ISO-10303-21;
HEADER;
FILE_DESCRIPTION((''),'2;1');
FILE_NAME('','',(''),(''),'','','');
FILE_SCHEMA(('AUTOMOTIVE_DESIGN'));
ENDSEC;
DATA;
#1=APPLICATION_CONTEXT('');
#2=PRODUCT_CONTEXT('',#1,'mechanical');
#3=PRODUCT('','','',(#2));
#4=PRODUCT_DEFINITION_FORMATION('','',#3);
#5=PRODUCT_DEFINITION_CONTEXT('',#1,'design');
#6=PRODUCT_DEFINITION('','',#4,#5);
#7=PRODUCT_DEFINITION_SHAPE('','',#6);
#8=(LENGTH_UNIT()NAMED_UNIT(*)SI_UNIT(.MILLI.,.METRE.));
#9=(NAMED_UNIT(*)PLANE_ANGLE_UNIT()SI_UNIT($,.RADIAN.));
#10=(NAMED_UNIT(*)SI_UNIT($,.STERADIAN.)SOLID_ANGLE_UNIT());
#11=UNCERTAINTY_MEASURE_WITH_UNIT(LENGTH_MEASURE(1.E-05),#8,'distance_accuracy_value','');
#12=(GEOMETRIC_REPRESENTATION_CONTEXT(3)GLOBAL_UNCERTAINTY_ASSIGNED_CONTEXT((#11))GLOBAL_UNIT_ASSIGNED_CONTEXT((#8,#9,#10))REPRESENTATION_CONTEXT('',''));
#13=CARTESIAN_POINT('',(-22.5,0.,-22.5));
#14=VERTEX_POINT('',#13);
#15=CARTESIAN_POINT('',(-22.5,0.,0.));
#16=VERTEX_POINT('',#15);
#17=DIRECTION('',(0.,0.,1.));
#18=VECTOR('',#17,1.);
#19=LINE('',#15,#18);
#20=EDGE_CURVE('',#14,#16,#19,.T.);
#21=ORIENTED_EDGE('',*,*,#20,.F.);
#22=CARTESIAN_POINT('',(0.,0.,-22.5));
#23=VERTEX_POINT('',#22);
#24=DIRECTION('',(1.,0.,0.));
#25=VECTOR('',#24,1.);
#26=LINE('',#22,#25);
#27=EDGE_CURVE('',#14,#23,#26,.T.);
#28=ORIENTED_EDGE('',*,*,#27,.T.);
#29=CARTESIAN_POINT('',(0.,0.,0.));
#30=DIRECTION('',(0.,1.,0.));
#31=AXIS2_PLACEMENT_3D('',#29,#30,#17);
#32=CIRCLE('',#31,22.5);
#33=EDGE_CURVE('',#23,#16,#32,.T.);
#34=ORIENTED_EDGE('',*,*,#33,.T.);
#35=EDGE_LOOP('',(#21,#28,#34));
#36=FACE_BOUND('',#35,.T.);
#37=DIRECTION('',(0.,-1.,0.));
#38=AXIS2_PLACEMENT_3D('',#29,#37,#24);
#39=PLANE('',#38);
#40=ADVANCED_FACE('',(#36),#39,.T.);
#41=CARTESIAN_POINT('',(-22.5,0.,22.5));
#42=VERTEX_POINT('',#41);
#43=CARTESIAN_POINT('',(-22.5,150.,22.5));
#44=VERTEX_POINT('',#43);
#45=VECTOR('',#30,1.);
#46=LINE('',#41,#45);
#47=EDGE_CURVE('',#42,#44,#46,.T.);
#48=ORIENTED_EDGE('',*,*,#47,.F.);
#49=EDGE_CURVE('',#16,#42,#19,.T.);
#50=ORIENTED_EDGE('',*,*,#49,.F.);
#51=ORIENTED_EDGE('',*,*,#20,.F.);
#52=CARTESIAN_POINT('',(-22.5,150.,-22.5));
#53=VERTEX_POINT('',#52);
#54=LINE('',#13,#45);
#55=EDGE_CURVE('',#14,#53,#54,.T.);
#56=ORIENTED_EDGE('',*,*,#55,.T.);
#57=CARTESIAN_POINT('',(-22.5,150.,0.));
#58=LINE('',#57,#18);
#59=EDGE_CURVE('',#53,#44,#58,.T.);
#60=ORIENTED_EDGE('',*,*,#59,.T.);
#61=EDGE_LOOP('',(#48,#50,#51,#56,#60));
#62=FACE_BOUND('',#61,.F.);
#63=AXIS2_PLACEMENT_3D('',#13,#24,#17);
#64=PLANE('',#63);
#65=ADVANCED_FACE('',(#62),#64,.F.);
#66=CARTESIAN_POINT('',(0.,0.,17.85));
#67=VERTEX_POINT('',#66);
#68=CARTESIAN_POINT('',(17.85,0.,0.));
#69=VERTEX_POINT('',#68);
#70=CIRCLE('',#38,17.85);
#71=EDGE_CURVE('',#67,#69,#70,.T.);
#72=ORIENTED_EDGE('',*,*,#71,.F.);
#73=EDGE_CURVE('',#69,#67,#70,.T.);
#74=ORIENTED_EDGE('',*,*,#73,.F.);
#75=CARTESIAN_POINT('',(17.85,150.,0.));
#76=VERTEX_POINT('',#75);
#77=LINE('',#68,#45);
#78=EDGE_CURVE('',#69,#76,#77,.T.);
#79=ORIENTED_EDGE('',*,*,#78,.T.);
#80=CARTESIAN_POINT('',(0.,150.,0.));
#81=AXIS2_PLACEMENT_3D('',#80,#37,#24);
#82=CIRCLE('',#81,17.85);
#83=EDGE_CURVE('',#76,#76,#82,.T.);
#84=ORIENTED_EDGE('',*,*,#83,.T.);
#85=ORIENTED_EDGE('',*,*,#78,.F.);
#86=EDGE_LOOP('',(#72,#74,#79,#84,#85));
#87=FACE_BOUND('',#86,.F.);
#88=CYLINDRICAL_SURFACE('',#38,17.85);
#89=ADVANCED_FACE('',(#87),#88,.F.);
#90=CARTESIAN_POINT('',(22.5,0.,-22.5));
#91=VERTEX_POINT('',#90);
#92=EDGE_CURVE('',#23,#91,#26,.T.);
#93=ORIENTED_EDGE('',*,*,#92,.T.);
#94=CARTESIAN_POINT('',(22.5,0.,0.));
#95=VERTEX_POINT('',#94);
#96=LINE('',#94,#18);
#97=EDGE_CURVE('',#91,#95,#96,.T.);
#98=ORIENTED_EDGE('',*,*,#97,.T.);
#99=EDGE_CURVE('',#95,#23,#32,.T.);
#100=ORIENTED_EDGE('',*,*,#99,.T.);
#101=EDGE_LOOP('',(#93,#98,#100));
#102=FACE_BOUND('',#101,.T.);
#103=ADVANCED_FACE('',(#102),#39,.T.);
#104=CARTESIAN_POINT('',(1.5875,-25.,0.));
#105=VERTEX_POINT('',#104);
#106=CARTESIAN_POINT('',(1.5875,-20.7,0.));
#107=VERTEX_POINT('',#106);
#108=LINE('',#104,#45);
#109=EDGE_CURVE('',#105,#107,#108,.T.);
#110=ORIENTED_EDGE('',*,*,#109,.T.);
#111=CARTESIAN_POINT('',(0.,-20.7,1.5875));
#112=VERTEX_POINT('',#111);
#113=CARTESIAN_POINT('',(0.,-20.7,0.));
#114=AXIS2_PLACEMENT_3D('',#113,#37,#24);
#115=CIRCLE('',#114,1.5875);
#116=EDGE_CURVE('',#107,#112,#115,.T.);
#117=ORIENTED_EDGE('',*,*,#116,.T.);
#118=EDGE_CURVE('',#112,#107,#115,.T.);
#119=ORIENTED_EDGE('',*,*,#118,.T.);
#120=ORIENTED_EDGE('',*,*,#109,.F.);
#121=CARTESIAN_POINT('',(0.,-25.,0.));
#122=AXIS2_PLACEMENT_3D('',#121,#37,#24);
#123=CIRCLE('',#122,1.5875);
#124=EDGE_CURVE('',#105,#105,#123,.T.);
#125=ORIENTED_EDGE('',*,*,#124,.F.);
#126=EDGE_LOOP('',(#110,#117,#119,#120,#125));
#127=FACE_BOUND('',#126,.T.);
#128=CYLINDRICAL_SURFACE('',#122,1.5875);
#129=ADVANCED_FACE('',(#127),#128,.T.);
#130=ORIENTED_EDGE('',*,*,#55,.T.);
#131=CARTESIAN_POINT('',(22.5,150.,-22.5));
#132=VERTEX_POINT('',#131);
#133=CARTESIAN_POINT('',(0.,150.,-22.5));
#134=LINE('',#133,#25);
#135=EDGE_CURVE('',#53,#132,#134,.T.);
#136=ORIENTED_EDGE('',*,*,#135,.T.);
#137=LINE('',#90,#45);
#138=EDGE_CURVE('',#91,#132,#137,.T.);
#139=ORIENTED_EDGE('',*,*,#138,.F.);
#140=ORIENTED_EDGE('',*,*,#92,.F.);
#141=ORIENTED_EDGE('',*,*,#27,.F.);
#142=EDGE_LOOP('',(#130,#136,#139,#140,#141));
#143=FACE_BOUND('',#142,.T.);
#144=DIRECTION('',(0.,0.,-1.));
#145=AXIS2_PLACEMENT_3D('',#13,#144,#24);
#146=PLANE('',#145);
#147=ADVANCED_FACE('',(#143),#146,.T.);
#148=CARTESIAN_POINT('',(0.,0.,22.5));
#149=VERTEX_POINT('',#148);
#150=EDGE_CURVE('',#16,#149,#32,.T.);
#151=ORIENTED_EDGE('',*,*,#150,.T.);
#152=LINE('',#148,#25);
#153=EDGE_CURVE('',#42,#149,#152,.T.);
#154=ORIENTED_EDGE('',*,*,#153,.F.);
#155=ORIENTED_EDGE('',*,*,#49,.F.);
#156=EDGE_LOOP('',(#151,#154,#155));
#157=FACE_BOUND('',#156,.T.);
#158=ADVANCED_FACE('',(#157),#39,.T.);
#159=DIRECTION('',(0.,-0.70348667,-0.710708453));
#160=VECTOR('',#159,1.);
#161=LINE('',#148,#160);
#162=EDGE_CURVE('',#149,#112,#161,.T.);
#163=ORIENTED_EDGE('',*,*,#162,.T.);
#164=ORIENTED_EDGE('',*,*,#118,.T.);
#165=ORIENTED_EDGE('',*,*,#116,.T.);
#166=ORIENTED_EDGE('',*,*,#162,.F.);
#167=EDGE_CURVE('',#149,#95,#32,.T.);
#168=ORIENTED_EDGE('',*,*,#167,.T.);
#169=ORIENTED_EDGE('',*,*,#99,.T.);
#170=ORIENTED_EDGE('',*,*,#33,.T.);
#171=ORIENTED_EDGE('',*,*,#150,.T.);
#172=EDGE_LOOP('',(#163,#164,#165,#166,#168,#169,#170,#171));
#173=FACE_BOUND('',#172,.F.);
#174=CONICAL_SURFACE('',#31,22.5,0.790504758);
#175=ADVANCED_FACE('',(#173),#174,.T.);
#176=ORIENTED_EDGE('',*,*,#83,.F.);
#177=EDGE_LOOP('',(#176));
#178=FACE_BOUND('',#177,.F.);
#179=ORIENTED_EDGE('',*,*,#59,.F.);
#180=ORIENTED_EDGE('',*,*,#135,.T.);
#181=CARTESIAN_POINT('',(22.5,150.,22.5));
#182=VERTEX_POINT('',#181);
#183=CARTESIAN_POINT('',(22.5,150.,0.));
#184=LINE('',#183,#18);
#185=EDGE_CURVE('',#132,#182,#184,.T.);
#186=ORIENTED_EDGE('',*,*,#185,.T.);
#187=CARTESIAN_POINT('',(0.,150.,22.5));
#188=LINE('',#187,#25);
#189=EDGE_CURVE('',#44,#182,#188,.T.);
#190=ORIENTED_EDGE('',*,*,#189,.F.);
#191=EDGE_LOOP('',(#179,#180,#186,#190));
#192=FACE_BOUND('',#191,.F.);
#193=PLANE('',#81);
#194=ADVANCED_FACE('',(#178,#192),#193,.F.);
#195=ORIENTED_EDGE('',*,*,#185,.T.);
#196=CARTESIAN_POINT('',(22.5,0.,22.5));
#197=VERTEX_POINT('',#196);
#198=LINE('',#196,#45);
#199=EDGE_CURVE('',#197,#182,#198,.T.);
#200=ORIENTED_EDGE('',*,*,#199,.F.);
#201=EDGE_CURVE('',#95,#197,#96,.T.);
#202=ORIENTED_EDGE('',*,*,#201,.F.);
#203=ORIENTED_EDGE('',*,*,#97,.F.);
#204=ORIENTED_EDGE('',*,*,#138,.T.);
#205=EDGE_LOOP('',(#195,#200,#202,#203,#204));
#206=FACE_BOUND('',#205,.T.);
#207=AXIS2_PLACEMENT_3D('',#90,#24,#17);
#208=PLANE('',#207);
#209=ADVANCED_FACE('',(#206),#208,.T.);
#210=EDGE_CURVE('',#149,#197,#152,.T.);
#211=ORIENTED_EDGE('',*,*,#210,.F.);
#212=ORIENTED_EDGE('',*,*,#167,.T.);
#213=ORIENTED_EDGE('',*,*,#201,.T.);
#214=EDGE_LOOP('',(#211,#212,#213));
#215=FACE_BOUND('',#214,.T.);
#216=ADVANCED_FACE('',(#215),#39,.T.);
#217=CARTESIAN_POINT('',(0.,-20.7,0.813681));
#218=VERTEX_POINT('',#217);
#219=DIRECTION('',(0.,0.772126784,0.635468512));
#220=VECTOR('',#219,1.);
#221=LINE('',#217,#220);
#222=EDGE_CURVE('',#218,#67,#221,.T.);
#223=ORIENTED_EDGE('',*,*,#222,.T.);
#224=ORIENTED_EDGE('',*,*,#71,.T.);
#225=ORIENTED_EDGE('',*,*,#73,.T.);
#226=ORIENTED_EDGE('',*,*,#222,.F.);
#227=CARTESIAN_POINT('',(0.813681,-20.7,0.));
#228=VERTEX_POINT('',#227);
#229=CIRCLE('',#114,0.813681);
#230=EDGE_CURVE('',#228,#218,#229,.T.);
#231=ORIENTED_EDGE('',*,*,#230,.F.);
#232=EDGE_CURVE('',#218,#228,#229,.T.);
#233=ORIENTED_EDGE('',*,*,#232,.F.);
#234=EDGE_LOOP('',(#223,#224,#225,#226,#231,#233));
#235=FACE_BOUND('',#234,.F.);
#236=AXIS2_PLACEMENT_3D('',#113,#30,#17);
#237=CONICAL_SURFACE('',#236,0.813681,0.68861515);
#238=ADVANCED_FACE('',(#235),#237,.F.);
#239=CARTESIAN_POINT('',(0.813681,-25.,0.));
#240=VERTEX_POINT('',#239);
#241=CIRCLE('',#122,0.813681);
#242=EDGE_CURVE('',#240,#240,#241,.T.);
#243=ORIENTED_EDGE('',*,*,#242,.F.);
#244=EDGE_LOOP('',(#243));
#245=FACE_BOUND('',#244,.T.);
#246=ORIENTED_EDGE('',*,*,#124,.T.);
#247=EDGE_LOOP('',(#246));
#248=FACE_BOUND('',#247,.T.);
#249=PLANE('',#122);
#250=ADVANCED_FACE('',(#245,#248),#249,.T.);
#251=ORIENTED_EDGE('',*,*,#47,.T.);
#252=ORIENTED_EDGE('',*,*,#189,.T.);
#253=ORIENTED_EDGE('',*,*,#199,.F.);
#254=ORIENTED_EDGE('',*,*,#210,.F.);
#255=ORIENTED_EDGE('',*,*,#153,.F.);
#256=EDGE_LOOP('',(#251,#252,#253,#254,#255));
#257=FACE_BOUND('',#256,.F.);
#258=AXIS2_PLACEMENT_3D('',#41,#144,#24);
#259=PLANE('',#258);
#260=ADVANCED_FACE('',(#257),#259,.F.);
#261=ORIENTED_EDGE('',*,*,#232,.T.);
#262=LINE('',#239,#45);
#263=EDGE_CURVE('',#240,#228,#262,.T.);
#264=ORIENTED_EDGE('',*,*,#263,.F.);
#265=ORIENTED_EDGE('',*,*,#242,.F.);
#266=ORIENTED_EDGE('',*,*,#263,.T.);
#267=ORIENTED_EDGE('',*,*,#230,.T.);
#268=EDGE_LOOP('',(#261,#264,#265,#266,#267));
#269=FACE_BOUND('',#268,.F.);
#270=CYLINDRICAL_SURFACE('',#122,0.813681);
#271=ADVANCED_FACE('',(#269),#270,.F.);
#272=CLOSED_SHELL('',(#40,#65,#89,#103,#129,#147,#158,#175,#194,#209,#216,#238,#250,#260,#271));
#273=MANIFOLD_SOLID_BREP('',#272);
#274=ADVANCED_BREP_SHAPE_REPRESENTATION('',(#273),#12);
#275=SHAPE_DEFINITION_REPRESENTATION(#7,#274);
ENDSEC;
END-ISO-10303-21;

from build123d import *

# Parameters (mm, degrees)
F0_W     = 45
F0_H     = 45
F0_R     = 17.85
F1_DEPTH = 150
F3_R     = 1.5875
F3_R_2   = 0.813681
F4_DEPTH = 4.3


with BuildPart() as f1:
    # F0 (on Front) → F1 (new body)
    with BuildSketch(Plane.XZ):
        Rectangle(F0_W, F0_H)
        Circle(F0_R, mode=Mode.SUBTRACT)
    extrude(amount=-F1_DEPTH)



with BuildPart() as f4:
    # F3 (on offset) → F4 (new body)
    with BuildSketch(Plane.XZ.offset(25)):
        Circle(F3_R)
        Circle(F3_R_2, mode=Mode.SUBTRACT)
    extrude(amount=-F4_DEPTH)


with BuildPart() as f1_1:
    add(f1.part)

    add(f4.part)  # F6 merges F4
    # F5 (on Right) → F6 (revolve)
    with BuildSketch(Plane.YZ):
        Polygon((-20.7, 0.813681), (0, 17.85), (0, 22.5), (-20.7, 1.5875), align=None)
    revolve(axis=Axis((0, 22.813175, 0), (0, 1, 0)))


solid = f1_1.part
